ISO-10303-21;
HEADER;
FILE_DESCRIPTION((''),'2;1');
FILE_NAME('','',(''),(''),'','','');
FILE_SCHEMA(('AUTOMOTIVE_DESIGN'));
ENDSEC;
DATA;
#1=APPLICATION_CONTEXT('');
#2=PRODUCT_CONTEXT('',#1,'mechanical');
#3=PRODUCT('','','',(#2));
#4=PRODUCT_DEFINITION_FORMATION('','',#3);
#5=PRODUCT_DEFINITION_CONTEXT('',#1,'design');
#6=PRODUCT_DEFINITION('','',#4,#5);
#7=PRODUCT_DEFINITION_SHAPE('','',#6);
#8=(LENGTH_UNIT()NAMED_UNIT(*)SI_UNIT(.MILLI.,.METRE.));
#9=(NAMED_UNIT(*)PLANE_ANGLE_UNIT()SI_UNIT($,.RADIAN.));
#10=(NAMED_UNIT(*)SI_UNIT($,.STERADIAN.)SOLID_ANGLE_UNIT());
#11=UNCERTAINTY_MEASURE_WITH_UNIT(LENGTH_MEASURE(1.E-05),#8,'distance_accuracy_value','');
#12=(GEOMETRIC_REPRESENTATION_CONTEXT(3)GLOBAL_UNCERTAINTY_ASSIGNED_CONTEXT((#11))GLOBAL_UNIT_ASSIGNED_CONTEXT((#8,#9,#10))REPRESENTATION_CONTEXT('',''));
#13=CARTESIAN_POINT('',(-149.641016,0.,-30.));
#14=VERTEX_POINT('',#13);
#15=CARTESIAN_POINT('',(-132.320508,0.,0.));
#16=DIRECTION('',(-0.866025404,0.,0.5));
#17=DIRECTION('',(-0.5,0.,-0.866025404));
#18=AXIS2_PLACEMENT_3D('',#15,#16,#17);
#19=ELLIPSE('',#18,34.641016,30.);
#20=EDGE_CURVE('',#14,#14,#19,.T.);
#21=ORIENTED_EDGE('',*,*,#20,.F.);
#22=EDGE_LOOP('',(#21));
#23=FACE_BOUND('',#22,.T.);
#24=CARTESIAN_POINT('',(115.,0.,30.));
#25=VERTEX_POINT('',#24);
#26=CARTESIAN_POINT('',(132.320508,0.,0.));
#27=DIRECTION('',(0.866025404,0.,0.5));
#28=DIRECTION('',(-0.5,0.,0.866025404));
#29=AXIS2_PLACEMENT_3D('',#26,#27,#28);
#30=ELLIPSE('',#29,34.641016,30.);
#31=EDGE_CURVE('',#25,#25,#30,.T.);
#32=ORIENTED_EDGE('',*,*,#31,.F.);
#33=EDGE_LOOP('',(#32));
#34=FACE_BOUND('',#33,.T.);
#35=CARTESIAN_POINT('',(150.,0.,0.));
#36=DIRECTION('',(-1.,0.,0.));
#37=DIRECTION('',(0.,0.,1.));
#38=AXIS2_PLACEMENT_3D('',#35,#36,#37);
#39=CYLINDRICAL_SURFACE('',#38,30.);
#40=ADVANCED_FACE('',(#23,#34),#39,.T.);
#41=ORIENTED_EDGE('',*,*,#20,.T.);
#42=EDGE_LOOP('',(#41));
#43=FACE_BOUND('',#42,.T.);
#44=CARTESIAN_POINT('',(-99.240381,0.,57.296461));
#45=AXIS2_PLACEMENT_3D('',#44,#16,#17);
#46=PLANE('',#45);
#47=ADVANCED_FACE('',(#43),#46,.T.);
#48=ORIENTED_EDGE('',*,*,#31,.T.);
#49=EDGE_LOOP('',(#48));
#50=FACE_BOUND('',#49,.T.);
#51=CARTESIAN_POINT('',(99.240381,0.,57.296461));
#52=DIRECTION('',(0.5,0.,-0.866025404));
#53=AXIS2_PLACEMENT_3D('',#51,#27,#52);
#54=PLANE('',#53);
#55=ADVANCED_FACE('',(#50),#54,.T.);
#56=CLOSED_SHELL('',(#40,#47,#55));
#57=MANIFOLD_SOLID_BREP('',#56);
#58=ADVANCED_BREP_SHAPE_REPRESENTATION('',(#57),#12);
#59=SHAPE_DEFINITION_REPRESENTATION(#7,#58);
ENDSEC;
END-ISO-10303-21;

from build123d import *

# Parameters (mm, degrees)
SKETCH_1_R          = 30
EXTRUDE_1_DEPTH     = 150
SKETCH_2_W          = 109.772001157
SKETCH_2_H          = 80.251500104
CUT_EXTRUDE_1_DEPTH = 266.784573674


with BuildPart() as part:
    # 草图1 → 凸台-拉伸1 (new, symmetric)
    with BuildSketch(Plane(origin=(0, 0, 0), x_dir=(0, 0, -1), z_dir=(1, 0, 0))):
        Circle(SKETCH_1_R)
    extrude(amount=EXTRUDE_1_DEPTH, both=True)

    # 草图2 → 切除-拉伸1 (cut, through all)
    with BuildSketch(Plane(origin=(99.240381057, 0, 57.296460718), x_dir=(0, -1, 0), z_dir=(0.866025403784438, 0, 0.500000000000001))):
        with Locations((-4.460929889, 62.152689719)):
            Rectangle(SKETCH_2_W, SKETCH_2_H)
    cut_extrude_1 = extrude(amount=CUT_EXTRUDE_1_DEPTH, mode=Mode.SUBTRACT)

    # 镜向1: 切除-拉伸1 across plane
    add(cut_extrude_1.mirror(Plane(origin=(0, 0, 0), x_dir=(0, 0, 1), z_dir=(1, 0, 0))), mode=Mode.SUBTRACT)


solid = part.part
